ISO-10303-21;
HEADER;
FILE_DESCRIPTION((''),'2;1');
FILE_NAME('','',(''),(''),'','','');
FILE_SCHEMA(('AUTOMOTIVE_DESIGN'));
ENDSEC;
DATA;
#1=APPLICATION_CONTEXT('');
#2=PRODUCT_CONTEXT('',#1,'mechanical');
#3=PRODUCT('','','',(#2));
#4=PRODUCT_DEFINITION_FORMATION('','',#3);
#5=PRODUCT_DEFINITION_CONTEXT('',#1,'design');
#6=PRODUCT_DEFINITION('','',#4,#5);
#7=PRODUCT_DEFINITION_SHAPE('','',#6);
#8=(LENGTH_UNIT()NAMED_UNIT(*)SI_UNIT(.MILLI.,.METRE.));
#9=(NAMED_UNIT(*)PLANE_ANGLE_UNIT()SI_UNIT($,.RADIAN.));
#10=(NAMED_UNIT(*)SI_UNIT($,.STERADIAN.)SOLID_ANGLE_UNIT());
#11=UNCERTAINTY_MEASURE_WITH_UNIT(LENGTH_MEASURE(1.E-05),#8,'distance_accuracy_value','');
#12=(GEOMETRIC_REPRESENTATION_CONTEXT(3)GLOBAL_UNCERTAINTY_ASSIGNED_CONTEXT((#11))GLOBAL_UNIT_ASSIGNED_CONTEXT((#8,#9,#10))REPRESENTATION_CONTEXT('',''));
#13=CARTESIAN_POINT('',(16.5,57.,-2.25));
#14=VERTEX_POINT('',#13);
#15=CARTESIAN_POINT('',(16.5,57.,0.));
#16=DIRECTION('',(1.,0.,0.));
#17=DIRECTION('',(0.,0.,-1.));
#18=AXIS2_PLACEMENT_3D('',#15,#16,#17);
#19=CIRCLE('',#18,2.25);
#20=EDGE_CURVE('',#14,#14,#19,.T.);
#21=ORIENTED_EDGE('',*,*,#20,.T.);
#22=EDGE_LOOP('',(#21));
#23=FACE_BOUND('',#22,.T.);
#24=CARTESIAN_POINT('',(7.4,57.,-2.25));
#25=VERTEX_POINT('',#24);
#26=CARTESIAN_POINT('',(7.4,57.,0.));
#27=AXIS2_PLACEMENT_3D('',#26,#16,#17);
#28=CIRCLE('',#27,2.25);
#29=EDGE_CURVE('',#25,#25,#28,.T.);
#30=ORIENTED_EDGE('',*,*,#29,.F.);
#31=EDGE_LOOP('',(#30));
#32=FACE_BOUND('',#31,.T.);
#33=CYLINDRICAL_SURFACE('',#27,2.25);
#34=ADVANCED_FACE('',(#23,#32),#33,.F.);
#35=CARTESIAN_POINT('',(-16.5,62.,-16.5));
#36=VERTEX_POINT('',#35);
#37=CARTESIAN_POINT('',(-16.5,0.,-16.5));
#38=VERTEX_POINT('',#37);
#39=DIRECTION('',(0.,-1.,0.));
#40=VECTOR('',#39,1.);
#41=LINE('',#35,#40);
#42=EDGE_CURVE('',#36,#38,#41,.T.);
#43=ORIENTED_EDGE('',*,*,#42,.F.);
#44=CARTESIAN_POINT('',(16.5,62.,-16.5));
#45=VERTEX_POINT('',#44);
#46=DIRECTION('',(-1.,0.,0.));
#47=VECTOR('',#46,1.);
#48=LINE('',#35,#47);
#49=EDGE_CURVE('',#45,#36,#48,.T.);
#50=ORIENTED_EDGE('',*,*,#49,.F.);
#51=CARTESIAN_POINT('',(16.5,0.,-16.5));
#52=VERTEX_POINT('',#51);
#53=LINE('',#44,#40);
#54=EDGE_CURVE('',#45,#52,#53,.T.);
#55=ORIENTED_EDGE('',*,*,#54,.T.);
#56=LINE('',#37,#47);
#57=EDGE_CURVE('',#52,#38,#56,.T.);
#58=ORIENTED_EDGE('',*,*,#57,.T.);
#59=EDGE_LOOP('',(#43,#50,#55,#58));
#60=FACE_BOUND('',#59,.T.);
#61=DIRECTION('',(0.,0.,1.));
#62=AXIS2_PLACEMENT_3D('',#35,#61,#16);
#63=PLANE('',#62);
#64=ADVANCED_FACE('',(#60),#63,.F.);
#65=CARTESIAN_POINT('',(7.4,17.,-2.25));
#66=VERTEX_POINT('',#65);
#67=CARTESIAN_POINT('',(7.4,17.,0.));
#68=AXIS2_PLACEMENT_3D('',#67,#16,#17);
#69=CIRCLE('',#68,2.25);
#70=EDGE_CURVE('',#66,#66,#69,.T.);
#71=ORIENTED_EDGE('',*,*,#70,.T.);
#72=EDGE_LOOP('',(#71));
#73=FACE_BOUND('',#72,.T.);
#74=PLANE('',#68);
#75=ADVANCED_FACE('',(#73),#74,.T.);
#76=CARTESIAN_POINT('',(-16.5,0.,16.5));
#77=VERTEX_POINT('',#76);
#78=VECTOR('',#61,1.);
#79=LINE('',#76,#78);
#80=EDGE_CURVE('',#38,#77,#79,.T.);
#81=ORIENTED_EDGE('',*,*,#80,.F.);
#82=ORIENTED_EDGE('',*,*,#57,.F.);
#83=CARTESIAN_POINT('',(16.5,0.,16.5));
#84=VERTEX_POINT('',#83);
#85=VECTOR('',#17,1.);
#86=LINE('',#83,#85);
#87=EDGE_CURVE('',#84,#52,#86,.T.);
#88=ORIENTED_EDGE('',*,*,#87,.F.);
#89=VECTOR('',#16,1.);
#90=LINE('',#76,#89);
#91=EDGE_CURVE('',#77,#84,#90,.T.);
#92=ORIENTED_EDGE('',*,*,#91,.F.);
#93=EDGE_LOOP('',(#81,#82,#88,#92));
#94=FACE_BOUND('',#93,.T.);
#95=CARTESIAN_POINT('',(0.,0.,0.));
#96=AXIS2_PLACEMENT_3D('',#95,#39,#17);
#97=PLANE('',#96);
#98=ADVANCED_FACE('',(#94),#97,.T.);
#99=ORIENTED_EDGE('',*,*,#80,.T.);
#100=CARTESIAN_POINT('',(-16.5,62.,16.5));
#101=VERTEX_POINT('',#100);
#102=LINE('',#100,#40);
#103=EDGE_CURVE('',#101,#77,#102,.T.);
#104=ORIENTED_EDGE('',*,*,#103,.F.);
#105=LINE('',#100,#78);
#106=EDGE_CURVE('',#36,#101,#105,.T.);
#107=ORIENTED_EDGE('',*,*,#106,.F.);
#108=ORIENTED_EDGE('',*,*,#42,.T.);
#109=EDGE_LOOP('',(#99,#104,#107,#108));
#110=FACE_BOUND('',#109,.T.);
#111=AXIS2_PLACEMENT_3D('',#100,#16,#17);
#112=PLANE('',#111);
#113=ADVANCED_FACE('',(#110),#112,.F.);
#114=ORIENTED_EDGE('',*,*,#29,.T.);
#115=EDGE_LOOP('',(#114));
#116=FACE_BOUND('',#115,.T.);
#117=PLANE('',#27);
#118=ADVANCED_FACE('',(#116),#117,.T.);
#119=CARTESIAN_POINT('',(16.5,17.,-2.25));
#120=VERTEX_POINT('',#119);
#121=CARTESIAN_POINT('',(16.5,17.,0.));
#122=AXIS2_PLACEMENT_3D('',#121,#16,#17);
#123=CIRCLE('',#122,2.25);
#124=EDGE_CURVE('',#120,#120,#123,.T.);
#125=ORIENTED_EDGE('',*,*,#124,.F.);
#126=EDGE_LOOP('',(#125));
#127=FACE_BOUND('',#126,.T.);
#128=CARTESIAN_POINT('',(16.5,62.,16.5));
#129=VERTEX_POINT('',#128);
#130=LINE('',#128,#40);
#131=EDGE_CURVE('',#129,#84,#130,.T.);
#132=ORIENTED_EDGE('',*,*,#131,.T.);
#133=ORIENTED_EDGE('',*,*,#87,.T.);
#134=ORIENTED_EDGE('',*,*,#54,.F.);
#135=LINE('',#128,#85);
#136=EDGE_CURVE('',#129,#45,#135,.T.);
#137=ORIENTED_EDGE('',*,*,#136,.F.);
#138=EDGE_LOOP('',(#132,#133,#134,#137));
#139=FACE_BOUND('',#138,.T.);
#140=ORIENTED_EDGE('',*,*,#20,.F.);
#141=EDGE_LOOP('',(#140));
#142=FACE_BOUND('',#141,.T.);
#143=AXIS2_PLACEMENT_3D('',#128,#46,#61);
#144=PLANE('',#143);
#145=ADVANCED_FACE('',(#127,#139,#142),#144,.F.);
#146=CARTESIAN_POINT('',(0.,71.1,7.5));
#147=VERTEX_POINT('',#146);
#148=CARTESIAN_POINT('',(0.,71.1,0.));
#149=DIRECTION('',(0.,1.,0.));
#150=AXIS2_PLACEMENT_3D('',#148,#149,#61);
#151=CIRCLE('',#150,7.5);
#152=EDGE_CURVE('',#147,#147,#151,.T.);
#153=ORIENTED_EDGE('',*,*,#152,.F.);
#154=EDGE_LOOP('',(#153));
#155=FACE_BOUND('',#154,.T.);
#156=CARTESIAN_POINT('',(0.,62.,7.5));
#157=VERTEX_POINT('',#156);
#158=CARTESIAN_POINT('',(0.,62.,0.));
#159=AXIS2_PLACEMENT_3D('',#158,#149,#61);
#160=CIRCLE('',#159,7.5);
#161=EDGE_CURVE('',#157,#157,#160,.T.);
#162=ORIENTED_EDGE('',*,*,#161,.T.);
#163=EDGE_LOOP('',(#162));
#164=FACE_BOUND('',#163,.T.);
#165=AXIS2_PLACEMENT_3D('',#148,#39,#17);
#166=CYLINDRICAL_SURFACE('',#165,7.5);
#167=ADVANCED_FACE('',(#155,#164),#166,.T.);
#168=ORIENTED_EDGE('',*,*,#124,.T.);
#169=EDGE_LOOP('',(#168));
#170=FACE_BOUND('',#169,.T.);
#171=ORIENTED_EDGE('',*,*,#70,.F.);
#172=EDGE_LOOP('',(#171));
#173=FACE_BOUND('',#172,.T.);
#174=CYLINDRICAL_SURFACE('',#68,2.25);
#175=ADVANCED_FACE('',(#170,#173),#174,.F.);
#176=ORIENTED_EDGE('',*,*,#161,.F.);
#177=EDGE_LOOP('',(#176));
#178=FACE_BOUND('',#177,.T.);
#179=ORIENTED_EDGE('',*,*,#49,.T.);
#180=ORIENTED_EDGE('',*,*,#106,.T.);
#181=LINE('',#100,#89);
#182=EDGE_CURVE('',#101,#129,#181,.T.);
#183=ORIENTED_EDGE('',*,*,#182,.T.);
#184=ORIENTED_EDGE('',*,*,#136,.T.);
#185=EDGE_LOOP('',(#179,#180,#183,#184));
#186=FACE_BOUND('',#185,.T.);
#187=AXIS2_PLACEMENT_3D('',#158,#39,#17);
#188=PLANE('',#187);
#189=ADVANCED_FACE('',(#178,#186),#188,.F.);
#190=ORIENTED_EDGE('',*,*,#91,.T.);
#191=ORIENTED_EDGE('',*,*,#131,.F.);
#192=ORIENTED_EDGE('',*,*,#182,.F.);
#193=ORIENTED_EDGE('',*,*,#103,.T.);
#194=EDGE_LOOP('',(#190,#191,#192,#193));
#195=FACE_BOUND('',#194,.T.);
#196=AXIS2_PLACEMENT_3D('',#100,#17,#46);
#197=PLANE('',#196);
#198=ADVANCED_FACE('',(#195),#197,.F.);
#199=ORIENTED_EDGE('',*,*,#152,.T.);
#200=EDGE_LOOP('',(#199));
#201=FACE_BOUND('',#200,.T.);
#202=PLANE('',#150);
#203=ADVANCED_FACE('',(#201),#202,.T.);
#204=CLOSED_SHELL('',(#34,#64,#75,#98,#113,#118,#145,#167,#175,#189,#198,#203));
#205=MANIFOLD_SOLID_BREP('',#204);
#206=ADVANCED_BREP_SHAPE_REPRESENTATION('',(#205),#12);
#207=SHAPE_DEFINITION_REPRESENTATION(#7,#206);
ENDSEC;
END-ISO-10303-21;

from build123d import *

# Parameters (mm, degrees)
SKETCH1_W           = 33
SKETCH1_H           = 33
BOSS_EXTRUDE1_DEPTH = 62
SKETCH2_R           = 7.5
BOSS_EXTRUDE2_DEPTH = 9.1
SKETCH3_R           = 2.25
CUT_EXTRUDE1_DEPTH  = 9.1


with BuildPart() as part:
    # Sketch1 → Boss-Extrude1 (new body)
    with BuildSketch(Plane(origin=(0, 0, 0), x_dir=(1, 0, 0), z_dir=(0, 1, 0))):
        Rectangle(SKETCH1_W, SKETCH1_H)
    extrude(amount=BOSS_EXTRUDE1_DEPTH)

    # Sketch2 → Boss-Extrude2 (add)
    with BuildSketch(Plane(origin=(0, 62, 0), x_dir=(1, 0, 0), z_dir=(0, 1, 0))):
        with Locations(Location((0, 0, 0), (0, 0, 270))):
            Circle(SKETCH2_R)
    extrude(amount=BOSS_EXTRUDE2_DEPTH)

    # Sketch3 → Cut-Extrude1 (cut)
    with BuildSketch(Plane(origin=(16.5, 0, 0), x_dir=(0, 0, -1), z_dir=(1, 0, 0))):
        with Locations((0, 57)):
            Circle(SKETCH3_R)
        with Locations((0, 17)):
            Circle(SKETCH3_R)
    extrude(amount=-CUT_EXTRUDE1_DEPTH, mode=Mode.SUBTRACT)


solid = part.part
